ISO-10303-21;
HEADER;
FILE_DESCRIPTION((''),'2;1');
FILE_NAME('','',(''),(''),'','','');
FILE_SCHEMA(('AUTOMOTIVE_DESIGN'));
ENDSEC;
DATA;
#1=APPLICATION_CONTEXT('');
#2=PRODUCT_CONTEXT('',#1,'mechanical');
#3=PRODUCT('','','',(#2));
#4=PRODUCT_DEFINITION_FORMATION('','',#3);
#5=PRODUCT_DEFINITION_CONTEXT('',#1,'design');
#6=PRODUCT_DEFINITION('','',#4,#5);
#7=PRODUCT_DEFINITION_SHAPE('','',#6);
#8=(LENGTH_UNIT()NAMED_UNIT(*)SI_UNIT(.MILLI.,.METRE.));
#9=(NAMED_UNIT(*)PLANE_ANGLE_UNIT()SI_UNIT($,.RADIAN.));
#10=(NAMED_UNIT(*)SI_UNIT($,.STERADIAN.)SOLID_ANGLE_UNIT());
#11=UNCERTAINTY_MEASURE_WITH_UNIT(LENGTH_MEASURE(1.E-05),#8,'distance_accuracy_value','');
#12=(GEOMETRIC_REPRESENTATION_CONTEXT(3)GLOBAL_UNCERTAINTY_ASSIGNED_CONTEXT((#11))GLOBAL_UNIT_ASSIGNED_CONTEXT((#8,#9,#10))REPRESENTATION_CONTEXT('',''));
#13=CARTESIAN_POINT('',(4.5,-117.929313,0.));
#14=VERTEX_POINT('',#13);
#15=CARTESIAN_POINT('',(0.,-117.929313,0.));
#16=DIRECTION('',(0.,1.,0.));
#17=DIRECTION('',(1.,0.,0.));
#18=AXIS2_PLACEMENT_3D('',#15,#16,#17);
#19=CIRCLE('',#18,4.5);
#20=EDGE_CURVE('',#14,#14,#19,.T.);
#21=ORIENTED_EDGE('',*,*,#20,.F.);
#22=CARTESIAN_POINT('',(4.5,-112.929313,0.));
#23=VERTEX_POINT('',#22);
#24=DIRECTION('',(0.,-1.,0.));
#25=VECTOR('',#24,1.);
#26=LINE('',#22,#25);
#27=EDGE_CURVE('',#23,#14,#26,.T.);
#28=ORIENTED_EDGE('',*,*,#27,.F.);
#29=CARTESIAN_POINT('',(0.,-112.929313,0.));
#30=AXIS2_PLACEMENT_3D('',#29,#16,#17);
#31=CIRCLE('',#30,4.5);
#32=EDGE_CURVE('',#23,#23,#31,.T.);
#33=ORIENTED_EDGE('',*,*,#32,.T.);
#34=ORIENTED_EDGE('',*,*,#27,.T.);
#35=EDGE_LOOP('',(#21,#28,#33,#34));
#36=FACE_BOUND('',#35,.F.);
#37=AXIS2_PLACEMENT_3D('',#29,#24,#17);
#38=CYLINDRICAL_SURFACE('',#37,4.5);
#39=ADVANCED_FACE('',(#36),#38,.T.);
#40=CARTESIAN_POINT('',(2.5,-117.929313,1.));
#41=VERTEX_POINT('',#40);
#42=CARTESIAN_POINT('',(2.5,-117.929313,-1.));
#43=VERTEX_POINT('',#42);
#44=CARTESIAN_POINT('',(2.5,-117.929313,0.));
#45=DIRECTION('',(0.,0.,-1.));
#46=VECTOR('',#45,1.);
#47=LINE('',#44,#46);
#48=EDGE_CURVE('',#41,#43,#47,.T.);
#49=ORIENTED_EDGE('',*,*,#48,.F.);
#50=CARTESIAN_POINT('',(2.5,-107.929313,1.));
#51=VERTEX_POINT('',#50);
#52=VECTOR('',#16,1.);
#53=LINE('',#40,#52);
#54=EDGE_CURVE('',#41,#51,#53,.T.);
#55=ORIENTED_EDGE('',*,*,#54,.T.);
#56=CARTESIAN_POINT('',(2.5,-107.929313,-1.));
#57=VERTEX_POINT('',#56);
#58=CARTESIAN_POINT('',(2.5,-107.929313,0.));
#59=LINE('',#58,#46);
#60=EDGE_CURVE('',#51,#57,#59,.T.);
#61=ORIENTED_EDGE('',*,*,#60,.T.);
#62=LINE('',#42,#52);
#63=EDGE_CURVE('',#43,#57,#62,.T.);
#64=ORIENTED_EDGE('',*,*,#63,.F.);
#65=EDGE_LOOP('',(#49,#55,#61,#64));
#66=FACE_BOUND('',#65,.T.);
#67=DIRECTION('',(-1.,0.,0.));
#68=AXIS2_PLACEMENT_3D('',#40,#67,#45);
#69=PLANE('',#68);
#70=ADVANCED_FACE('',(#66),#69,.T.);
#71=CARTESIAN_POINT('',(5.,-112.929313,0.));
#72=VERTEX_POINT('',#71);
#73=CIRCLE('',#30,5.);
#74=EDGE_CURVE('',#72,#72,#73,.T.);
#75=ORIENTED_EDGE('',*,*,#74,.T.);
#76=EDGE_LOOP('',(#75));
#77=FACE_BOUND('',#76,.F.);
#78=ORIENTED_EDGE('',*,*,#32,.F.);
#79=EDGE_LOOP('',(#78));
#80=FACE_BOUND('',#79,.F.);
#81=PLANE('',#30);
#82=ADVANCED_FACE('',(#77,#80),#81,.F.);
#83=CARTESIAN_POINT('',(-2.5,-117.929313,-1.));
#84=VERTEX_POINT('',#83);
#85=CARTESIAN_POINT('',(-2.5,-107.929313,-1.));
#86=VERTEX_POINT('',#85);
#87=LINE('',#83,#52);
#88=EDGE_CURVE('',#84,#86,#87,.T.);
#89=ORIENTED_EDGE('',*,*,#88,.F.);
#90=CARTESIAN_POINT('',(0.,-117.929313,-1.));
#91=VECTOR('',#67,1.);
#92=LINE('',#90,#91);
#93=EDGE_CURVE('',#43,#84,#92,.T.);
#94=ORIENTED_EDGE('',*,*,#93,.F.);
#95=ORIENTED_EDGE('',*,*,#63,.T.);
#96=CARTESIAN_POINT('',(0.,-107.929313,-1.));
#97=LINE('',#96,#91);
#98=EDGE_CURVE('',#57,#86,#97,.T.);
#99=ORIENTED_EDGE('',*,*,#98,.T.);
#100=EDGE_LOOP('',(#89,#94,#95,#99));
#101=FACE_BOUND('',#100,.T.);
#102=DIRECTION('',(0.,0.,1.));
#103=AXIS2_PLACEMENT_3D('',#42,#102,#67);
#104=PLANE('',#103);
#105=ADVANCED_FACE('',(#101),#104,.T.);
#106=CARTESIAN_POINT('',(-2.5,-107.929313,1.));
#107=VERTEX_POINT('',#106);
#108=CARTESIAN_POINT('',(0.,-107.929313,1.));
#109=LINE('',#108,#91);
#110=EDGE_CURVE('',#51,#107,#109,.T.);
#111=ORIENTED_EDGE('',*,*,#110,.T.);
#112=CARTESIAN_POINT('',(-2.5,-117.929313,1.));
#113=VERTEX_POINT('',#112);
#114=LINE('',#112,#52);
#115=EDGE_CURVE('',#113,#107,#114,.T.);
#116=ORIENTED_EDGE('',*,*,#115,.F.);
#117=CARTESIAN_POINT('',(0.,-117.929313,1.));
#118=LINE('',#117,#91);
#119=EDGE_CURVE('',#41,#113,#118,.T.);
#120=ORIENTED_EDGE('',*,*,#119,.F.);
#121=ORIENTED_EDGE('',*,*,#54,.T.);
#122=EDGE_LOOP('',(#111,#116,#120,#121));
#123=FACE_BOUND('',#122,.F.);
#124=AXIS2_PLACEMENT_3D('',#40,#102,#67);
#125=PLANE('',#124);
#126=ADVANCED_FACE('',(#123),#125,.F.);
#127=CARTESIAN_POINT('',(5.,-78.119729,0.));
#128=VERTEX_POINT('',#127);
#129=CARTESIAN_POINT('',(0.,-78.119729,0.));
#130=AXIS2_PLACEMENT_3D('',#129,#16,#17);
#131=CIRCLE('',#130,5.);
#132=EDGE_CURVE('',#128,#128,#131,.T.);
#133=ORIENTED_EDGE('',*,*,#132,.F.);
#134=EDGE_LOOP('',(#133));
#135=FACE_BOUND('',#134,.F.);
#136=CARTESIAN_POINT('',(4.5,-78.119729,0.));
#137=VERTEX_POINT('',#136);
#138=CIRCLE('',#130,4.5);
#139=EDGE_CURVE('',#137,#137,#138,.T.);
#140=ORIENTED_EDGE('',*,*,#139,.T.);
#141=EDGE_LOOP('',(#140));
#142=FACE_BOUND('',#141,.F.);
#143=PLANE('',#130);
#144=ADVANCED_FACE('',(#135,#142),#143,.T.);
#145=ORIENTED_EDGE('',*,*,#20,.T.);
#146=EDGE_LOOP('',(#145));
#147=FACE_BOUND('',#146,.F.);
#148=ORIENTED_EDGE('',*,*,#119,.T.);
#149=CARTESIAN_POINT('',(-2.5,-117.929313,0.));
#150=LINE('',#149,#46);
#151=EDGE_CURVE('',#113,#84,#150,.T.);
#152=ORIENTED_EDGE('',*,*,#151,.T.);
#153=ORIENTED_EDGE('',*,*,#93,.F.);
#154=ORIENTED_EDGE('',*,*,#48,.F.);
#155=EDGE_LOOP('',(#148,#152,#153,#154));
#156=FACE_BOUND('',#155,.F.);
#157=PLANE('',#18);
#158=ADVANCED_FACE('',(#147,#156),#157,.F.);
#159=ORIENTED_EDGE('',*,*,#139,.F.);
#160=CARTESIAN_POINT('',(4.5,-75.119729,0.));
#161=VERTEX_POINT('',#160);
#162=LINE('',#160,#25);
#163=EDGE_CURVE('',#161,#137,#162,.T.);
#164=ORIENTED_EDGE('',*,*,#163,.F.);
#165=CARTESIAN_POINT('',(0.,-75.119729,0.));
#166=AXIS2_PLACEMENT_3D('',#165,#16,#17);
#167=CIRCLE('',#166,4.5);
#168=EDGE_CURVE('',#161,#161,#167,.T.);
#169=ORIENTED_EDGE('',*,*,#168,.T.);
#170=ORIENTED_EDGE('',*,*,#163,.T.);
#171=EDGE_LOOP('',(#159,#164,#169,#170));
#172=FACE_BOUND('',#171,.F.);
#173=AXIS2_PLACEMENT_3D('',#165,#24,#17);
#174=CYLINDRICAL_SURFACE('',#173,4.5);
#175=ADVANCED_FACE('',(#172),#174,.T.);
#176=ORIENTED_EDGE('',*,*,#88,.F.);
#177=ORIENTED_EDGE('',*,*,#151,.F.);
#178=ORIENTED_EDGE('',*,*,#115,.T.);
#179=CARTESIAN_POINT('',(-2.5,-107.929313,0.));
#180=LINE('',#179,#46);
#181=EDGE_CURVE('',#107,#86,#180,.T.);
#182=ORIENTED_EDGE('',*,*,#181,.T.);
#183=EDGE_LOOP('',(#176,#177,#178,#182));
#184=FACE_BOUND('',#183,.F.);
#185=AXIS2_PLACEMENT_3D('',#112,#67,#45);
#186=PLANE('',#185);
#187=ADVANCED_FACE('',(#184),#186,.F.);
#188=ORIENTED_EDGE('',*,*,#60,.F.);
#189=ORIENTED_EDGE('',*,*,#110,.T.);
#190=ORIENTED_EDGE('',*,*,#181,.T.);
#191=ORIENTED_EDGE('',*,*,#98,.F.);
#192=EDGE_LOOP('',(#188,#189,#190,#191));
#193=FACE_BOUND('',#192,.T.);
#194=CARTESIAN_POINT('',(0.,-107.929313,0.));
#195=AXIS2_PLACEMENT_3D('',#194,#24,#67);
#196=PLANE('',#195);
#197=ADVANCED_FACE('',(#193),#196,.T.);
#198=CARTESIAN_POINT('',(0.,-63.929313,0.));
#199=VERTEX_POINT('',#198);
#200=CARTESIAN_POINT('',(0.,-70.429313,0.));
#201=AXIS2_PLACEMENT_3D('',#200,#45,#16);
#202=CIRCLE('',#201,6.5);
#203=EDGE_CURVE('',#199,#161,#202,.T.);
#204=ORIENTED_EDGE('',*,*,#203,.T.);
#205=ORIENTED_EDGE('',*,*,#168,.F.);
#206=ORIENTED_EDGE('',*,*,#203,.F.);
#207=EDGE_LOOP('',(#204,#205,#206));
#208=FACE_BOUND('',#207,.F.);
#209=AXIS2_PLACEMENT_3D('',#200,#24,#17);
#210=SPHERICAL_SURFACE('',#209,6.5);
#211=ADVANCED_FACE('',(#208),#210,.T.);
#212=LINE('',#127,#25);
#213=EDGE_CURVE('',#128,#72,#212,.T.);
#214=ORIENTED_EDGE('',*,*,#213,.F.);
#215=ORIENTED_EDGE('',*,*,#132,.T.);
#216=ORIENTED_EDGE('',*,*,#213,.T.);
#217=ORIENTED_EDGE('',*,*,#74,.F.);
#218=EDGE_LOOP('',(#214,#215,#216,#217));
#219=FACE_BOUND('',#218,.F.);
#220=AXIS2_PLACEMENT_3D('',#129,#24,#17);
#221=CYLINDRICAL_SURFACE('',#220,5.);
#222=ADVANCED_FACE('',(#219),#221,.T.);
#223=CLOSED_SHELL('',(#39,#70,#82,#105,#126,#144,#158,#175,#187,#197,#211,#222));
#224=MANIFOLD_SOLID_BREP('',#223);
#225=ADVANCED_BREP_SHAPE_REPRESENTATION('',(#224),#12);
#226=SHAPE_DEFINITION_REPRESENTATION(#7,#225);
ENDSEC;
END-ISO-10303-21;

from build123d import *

# Parameters (mm, degrees)
SKETCH2_W          = 5
SKETCH2_H          = 2
CUT_EXTRUDE1_DEPTH = 10


with BuildPart() as part:
    # Sketch1 → Revolve1 (revolve)
    with BuildSketch(Plane.XY):
        with BuildLine():
            Line((4.5, -75.119728996), (4.5, -78.119728996))
            Line((4.5, -78.119728996), (5, -78.119728996))
            Line((5, -78.119728996), (5, -112.929313237))
            Line((5, -112.929313237), (4.5, -112.929313237))
            Line((4.5, -112.929313237), (4.5, -117.929313237))
            Line((4.5, -117.929313237), (0, -117.929313237))
            Line((0, -117.929313237), (0, -63.929313237))
            ThreePointArc((0, -63.929313237), (6.030659269, -68.004205243), (4.5, -75.119728996))
        make_face()
    revolve(axis=Axis((0, -29.874534884, 0), (0, 1, 0)))

    # Sketch2 → Cut-Extrude1 (cut)
    with BuildSketch(Plane(origin=(0, -117.929313237, 0), x_dir=(-1, 0, 0), z_dir=(0, -1, 0))):
        Rectangle(SKETCH2_W, SKETCH2_H)
    extrude(amount=-CUT_EXTRUDE1_DEPTH, mode=Mode.SUBTRACT)


solid = part.part
